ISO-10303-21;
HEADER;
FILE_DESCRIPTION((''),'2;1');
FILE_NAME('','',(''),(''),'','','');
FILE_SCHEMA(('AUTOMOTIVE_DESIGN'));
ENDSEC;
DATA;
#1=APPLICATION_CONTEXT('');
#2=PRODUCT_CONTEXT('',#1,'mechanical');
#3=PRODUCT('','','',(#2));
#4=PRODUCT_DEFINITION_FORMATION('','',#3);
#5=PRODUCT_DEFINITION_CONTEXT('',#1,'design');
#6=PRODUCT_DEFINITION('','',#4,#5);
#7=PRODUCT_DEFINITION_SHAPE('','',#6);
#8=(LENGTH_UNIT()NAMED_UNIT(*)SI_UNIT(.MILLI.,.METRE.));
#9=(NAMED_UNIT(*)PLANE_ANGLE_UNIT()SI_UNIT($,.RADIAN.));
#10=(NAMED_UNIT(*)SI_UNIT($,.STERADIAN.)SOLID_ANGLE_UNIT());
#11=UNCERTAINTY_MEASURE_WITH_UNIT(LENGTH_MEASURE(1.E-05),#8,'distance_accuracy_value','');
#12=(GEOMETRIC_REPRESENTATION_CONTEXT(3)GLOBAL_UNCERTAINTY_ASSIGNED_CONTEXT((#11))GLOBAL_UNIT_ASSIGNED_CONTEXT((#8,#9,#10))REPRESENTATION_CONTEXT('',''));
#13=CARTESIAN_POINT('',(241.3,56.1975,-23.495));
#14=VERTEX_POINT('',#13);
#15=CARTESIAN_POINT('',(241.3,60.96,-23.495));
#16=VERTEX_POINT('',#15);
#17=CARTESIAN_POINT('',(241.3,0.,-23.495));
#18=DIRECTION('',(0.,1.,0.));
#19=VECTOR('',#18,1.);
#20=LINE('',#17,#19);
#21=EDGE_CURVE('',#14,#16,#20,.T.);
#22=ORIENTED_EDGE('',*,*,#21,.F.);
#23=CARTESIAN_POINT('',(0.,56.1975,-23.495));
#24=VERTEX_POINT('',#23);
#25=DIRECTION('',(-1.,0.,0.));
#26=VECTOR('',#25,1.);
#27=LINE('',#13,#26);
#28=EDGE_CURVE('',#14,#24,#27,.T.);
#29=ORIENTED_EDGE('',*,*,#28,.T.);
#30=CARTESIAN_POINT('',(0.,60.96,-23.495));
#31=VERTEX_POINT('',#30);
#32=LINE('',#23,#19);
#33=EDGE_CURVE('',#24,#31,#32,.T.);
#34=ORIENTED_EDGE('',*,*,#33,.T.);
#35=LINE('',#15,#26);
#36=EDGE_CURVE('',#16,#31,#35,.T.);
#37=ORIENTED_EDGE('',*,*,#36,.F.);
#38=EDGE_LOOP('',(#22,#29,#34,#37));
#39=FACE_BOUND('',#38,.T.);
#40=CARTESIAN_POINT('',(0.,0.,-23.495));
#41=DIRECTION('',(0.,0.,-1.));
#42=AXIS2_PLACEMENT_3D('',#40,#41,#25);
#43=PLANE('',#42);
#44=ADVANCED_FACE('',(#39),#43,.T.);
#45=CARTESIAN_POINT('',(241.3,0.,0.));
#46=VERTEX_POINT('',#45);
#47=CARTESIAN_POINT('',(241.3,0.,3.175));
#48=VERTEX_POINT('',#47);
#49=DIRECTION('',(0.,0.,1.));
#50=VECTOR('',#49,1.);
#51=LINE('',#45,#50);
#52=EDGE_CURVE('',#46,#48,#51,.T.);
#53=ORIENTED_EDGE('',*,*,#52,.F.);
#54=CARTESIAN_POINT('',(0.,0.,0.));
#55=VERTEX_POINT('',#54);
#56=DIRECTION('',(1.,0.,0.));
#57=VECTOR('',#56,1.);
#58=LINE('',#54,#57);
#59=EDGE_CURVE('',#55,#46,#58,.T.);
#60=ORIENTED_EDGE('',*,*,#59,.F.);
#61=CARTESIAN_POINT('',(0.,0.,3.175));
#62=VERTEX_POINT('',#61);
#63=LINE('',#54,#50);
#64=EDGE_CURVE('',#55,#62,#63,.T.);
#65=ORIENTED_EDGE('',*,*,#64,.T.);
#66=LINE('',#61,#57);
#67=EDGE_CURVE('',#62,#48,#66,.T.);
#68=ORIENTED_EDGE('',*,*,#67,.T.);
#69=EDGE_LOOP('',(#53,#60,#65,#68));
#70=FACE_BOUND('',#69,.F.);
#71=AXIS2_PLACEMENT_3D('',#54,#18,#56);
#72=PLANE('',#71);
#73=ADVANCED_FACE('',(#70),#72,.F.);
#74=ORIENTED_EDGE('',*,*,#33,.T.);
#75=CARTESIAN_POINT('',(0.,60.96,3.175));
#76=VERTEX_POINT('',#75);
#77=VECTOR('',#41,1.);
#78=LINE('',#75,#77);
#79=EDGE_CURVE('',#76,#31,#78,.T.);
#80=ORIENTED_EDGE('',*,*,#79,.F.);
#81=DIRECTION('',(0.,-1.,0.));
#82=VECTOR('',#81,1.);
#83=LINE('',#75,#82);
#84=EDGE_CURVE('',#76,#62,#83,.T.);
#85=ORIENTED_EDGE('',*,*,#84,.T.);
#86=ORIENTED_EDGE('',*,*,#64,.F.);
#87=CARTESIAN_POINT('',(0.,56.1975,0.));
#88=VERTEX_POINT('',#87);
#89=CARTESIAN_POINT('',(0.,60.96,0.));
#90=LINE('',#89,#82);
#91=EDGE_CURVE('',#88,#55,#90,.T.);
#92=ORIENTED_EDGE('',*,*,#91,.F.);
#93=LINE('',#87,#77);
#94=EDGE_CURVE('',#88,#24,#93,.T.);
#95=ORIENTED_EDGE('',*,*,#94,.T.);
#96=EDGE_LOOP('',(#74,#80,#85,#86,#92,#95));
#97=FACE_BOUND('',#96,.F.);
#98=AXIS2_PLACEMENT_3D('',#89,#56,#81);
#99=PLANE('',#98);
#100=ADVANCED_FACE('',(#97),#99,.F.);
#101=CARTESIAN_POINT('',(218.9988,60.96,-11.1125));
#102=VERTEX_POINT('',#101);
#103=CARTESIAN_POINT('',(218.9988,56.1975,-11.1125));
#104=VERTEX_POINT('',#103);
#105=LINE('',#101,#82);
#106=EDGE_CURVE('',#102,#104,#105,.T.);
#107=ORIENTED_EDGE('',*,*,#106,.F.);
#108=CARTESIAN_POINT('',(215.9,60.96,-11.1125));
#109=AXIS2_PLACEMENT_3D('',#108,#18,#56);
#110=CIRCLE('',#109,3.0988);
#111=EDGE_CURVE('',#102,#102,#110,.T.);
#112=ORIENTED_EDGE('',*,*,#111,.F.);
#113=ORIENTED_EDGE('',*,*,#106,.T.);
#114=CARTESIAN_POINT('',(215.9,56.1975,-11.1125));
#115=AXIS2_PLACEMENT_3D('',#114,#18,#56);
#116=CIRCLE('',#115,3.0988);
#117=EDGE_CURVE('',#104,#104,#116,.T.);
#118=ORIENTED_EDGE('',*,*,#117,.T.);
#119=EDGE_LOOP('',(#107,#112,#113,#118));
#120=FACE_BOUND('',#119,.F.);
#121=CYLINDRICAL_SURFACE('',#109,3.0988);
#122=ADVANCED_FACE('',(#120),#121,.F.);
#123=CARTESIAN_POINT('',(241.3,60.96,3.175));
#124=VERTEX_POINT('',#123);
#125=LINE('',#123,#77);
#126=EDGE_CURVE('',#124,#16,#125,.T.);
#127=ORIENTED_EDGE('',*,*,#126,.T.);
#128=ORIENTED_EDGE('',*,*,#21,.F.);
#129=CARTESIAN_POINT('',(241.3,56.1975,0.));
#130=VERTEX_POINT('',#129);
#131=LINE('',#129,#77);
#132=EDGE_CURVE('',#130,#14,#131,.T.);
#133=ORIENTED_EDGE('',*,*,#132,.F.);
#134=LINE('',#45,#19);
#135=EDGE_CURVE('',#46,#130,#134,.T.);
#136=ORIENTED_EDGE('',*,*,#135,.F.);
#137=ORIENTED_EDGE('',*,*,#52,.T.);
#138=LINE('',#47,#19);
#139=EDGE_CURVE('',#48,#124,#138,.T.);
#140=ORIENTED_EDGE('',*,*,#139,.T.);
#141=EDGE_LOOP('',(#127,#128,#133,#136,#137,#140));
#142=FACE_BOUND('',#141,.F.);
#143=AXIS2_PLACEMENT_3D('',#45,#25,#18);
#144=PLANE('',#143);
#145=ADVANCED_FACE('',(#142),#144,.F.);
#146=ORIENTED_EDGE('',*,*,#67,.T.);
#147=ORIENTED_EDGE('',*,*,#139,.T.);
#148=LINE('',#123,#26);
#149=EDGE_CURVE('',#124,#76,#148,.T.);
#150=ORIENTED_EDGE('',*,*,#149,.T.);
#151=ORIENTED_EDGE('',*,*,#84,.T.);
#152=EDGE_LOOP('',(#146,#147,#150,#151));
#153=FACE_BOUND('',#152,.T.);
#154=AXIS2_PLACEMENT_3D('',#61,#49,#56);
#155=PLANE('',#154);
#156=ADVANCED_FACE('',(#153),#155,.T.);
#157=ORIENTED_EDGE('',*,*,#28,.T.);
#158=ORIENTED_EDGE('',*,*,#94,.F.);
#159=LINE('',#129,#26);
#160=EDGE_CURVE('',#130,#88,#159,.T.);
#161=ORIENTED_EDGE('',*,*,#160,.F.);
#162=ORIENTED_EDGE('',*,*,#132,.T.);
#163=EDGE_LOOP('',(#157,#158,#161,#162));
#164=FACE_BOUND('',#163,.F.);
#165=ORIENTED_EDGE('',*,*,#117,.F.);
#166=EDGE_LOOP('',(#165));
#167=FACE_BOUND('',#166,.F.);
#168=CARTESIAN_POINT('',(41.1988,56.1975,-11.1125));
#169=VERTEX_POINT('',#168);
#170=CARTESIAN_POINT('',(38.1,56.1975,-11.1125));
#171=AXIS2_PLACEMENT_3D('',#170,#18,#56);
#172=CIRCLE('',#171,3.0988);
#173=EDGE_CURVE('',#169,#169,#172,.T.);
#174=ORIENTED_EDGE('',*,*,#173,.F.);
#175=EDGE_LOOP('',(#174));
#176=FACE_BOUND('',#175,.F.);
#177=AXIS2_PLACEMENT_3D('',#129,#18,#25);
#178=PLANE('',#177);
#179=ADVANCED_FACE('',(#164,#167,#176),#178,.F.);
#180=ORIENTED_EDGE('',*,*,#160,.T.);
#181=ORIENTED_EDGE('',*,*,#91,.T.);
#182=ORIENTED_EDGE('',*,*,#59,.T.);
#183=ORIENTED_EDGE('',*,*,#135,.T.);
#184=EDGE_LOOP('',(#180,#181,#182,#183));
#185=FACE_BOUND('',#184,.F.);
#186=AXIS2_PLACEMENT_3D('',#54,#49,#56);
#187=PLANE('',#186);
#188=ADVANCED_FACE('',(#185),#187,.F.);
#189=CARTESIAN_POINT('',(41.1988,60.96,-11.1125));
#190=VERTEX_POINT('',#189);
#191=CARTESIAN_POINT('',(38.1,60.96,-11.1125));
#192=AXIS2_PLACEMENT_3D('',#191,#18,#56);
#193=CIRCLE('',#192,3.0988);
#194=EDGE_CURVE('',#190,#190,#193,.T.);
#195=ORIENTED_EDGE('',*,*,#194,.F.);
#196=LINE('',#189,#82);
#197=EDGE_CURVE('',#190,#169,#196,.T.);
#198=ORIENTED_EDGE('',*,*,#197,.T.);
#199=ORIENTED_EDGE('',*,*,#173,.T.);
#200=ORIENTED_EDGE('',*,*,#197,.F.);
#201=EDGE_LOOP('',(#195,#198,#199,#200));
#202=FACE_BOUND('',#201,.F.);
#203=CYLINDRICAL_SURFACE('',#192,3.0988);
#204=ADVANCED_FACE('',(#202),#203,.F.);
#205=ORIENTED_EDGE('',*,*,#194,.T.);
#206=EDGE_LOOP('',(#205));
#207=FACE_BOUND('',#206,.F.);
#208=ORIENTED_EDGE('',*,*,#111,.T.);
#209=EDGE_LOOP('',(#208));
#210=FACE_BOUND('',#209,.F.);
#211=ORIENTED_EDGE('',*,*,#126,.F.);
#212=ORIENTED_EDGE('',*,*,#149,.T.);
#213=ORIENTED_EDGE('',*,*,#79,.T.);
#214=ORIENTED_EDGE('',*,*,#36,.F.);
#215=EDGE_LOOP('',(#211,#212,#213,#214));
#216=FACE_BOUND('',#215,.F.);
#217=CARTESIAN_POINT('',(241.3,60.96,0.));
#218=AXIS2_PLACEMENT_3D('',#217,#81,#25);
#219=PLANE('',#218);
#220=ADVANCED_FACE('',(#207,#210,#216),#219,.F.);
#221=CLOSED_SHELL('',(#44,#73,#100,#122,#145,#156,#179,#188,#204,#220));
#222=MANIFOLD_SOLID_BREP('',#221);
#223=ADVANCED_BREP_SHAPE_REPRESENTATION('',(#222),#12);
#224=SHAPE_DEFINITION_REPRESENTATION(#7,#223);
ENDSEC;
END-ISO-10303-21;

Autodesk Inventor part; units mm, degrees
ref_plane "YZ Plane" through (0, 0, 0) normal (1, 0, 0) x (0, 1, 0)
ref_plane "XZ Plane" through (0, 0, 0) normal (0, 1, 0) x (-1, 0, 0)
ref_plane "XY Plane" through (0, 0, 0) normal (0, 0, 1) x (1, 0, 0)
sketch "Sketch1" plane through (0, 0, 0) normal (0, 0, 1) x (1, 0, 0)
  line L0 (0, 0) -> (241.3, 0)
  line L1 (241.3, 0) -> (241.3, 60.96)
  line L2 (241.3, 60.96) -> (0, 60.96)
  line L3 (0, 60.96) -> (0, 0)
  dimension "d0" = 241.3
  dimension "d1" = 60.96
extrude "Extrusion1" add sketch "Sketch1" along normal blind 3.175
sketch "Sketch2" plane through (0, 0, 0) normal (0, 0, -1) x (-1, 0, 0)
  line L0 (-241.3, 60.96) -> (0, 60.96) projected
  line L1 (-241.3, 0) -> (-241.3, 60.96) projected
  line L2 (0, 60.96) -> (-241.3, 60.96)
  line L3 (-241.3, 60.96) -> (-241.3, 56.1975)
  line L4 (-241.3, 56.1975) -> (0, 56.1975)
  line L5 (0, 56.1975) -> (0, 60.96)
  point P0 (0, 0)
  dimension "d4" = 4.7625
extrude "Extrusion2" add sketch "Sketch2" along normal blind 23.495
sketch "Sketch3" plane through (0, 60.96, 3.175) normal (0, 1, 0) x (1, 0, 0)
  circle A0 centre (38.1, 14.2875) radius 3.0988
  circle A1 centre (215.9, 14.2875) radius 3.0988
  line L0 (241.3, 26.67) -> (241.3, 0) projected
  line L1 (0, 26.67) -> (241.3, 26.67) projected
  point P0 (0, 3.175)
  dimension "d7" = 6.1976
  dimension "d8" = 6.1976
  dimension "d9" = 177.8
  dimension "d10" = 25.4
  dimension "d11" = 12.3825
  dimension "d12" = 12.3825
extrude "Extrusion3" cut sketch "Sketch3" against normal blind 6.1976
equation "\"d12\" = d11"
equation "\"d13\" = d8"
properties part number "Camera Mount"
